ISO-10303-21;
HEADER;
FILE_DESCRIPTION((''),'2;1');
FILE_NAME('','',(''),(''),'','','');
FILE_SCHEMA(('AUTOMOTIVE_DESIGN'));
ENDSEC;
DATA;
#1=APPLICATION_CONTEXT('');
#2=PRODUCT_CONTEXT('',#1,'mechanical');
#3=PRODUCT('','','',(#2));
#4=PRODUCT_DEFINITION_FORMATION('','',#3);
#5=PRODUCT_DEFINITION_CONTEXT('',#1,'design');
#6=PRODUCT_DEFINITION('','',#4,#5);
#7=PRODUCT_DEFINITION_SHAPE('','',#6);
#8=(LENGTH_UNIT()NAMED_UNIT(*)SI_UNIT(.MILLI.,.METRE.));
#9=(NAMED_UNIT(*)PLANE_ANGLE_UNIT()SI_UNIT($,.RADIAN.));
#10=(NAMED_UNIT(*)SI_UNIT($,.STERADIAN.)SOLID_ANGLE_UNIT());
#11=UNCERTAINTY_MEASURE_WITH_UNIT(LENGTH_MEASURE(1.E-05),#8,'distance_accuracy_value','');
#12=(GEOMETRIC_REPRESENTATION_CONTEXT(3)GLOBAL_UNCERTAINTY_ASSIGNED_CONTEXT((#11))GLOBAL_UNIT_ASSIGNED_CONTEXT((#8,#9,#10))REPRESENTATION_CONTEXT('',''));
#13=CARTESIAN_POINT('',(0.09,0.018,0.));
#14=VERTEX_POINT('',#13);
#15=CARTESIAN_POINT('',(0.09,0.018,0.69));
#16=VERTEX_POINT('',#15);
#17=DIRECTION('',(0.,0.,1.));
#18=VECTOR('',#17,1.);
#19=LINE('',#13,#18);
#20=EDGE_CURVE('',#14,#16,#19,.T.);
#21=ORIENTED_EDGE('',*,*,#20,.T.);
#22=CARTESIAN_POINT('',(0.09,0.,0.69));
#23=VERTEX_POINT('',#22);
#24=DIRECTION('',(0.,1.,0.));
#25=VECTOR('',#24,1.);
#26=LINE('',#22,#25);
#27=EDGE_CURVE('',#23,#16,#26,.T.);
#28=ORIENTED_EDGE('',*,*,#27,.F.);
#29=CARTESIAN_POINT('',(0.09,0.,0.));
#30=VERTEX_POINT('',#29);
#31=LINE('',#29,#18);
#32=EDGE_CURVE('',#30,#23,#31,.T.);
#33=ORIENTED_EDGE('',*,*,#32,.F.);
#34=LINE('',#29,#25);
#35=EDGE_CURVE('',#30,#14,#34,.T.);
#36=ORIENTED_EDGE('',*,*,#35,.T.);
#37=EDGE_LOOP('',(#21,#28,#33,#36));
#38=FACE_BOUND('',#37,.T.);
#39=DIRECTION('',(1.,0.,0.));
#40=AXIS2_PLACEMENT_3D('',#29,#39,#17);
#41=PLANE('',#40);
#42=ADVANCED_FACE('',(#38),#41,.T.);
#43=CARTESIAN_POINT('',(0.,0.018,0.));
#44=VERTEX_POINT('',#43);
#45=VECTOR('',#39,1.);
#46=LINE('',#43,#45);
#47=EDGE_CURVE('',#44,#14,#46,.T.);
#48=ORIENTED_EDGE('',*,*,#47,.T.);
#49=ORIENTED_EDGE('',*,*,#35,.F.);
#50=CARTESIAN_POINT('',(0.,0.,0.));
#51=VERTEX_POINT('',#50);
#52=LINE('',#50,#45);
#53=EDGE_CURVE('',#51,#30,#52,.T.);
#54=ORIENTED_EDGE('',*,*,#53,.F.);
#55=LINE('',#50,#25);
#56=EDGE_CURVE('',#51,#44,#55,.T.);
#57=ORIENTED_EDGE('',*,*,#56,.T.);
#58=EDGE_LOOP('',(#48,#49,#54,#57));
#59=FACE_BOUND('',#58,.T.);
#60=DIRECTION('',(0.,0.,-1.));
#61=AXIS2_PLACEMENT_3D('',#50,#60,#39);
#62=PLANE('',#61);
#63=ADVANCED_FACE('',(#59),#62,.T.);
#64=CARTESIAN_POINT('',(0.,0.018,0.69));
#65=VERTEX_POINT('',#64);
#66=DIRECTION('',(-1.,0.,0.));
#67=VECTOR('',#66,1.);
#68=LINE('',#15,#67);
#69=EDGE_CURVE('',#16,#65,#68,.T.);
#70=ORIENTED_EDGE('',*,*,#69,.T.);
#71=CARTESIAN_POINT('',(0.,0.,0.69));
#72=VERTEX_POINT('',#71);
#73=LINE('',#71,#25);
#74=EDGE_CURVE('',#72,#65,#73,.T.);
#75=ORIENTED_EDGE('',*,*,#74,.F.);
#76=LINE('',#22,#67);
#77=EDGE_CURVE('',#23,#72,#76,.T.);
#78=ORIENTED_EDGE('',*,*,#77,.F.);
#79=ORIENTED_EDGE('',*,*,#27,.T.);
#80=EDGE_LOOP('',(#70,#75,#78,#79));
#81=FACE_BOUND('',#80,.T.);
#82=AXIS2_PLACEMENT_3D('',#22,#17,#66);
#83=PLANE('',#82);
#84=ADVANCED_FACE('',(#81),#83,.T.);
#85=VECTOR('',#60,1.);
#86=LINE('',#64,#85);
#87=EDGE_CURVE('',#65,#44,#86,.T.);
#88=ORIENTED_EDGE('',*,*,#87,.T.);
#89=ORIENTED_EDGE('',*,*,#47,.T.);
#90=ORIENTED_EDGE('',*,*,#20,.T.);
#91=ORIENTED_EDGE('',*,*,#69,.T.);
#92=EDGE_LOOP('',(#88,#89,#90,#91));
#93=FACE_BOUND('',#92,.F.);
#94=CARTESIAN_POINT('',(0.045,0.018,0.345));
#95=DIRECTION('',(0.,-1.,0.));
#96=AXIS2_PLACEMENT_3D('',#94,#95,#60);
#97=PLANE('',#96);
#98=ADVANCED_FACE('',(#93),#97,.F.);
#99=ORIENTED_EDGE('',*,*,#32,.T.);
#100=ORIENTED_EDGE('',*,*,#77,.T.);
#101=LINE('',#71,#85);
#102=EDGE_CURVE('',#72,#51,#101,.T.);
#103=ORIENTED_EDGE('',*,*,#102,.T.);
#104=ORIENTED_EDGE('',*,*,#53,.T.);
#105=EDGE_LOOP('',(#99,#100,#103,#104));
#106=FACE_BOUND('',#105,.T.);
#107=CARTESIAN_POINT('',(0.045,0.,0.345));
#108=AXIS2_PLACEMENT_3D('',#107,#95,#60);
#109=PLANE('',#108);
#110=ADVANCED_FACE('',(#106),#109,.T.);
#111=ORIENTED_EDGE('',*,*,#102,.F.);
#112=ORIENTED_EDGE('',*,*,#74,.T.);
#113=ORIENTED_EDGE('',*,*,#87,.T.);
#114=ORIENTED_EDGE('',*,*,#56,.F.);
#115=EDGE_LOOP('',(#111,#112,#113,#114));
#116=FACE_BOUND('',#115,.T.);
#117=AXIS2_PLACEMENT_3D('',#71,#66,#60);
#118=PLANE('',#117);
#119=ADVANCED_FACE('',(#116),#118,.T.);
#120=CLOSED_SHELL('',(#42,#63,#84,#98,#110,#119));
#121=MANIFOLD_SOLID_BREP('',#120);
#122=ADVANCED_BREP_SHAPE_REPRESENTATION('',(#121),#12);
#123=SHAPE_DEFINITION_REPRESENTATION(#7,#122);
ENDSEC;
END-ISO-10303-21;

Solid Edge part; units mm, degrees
sketch "Sketch1" plane through (0, 0, 0) normal (0, -1, 0) x (1, 0, 0)
  line L0 (0, 0) -> (0.09, 0)
  line L1 (0.09, 0) -> (0.09, 0.69)
  line L2 (0.09, 0.69) -> (0, 0.69)
  line L3 (0, 0.69) -> (0, 0)
  dimension "D1" = 0.69
  dimension "D2" = 0.09
extrude "Protrusion1" add sketch "Sketch1" against normal blind 0.018
